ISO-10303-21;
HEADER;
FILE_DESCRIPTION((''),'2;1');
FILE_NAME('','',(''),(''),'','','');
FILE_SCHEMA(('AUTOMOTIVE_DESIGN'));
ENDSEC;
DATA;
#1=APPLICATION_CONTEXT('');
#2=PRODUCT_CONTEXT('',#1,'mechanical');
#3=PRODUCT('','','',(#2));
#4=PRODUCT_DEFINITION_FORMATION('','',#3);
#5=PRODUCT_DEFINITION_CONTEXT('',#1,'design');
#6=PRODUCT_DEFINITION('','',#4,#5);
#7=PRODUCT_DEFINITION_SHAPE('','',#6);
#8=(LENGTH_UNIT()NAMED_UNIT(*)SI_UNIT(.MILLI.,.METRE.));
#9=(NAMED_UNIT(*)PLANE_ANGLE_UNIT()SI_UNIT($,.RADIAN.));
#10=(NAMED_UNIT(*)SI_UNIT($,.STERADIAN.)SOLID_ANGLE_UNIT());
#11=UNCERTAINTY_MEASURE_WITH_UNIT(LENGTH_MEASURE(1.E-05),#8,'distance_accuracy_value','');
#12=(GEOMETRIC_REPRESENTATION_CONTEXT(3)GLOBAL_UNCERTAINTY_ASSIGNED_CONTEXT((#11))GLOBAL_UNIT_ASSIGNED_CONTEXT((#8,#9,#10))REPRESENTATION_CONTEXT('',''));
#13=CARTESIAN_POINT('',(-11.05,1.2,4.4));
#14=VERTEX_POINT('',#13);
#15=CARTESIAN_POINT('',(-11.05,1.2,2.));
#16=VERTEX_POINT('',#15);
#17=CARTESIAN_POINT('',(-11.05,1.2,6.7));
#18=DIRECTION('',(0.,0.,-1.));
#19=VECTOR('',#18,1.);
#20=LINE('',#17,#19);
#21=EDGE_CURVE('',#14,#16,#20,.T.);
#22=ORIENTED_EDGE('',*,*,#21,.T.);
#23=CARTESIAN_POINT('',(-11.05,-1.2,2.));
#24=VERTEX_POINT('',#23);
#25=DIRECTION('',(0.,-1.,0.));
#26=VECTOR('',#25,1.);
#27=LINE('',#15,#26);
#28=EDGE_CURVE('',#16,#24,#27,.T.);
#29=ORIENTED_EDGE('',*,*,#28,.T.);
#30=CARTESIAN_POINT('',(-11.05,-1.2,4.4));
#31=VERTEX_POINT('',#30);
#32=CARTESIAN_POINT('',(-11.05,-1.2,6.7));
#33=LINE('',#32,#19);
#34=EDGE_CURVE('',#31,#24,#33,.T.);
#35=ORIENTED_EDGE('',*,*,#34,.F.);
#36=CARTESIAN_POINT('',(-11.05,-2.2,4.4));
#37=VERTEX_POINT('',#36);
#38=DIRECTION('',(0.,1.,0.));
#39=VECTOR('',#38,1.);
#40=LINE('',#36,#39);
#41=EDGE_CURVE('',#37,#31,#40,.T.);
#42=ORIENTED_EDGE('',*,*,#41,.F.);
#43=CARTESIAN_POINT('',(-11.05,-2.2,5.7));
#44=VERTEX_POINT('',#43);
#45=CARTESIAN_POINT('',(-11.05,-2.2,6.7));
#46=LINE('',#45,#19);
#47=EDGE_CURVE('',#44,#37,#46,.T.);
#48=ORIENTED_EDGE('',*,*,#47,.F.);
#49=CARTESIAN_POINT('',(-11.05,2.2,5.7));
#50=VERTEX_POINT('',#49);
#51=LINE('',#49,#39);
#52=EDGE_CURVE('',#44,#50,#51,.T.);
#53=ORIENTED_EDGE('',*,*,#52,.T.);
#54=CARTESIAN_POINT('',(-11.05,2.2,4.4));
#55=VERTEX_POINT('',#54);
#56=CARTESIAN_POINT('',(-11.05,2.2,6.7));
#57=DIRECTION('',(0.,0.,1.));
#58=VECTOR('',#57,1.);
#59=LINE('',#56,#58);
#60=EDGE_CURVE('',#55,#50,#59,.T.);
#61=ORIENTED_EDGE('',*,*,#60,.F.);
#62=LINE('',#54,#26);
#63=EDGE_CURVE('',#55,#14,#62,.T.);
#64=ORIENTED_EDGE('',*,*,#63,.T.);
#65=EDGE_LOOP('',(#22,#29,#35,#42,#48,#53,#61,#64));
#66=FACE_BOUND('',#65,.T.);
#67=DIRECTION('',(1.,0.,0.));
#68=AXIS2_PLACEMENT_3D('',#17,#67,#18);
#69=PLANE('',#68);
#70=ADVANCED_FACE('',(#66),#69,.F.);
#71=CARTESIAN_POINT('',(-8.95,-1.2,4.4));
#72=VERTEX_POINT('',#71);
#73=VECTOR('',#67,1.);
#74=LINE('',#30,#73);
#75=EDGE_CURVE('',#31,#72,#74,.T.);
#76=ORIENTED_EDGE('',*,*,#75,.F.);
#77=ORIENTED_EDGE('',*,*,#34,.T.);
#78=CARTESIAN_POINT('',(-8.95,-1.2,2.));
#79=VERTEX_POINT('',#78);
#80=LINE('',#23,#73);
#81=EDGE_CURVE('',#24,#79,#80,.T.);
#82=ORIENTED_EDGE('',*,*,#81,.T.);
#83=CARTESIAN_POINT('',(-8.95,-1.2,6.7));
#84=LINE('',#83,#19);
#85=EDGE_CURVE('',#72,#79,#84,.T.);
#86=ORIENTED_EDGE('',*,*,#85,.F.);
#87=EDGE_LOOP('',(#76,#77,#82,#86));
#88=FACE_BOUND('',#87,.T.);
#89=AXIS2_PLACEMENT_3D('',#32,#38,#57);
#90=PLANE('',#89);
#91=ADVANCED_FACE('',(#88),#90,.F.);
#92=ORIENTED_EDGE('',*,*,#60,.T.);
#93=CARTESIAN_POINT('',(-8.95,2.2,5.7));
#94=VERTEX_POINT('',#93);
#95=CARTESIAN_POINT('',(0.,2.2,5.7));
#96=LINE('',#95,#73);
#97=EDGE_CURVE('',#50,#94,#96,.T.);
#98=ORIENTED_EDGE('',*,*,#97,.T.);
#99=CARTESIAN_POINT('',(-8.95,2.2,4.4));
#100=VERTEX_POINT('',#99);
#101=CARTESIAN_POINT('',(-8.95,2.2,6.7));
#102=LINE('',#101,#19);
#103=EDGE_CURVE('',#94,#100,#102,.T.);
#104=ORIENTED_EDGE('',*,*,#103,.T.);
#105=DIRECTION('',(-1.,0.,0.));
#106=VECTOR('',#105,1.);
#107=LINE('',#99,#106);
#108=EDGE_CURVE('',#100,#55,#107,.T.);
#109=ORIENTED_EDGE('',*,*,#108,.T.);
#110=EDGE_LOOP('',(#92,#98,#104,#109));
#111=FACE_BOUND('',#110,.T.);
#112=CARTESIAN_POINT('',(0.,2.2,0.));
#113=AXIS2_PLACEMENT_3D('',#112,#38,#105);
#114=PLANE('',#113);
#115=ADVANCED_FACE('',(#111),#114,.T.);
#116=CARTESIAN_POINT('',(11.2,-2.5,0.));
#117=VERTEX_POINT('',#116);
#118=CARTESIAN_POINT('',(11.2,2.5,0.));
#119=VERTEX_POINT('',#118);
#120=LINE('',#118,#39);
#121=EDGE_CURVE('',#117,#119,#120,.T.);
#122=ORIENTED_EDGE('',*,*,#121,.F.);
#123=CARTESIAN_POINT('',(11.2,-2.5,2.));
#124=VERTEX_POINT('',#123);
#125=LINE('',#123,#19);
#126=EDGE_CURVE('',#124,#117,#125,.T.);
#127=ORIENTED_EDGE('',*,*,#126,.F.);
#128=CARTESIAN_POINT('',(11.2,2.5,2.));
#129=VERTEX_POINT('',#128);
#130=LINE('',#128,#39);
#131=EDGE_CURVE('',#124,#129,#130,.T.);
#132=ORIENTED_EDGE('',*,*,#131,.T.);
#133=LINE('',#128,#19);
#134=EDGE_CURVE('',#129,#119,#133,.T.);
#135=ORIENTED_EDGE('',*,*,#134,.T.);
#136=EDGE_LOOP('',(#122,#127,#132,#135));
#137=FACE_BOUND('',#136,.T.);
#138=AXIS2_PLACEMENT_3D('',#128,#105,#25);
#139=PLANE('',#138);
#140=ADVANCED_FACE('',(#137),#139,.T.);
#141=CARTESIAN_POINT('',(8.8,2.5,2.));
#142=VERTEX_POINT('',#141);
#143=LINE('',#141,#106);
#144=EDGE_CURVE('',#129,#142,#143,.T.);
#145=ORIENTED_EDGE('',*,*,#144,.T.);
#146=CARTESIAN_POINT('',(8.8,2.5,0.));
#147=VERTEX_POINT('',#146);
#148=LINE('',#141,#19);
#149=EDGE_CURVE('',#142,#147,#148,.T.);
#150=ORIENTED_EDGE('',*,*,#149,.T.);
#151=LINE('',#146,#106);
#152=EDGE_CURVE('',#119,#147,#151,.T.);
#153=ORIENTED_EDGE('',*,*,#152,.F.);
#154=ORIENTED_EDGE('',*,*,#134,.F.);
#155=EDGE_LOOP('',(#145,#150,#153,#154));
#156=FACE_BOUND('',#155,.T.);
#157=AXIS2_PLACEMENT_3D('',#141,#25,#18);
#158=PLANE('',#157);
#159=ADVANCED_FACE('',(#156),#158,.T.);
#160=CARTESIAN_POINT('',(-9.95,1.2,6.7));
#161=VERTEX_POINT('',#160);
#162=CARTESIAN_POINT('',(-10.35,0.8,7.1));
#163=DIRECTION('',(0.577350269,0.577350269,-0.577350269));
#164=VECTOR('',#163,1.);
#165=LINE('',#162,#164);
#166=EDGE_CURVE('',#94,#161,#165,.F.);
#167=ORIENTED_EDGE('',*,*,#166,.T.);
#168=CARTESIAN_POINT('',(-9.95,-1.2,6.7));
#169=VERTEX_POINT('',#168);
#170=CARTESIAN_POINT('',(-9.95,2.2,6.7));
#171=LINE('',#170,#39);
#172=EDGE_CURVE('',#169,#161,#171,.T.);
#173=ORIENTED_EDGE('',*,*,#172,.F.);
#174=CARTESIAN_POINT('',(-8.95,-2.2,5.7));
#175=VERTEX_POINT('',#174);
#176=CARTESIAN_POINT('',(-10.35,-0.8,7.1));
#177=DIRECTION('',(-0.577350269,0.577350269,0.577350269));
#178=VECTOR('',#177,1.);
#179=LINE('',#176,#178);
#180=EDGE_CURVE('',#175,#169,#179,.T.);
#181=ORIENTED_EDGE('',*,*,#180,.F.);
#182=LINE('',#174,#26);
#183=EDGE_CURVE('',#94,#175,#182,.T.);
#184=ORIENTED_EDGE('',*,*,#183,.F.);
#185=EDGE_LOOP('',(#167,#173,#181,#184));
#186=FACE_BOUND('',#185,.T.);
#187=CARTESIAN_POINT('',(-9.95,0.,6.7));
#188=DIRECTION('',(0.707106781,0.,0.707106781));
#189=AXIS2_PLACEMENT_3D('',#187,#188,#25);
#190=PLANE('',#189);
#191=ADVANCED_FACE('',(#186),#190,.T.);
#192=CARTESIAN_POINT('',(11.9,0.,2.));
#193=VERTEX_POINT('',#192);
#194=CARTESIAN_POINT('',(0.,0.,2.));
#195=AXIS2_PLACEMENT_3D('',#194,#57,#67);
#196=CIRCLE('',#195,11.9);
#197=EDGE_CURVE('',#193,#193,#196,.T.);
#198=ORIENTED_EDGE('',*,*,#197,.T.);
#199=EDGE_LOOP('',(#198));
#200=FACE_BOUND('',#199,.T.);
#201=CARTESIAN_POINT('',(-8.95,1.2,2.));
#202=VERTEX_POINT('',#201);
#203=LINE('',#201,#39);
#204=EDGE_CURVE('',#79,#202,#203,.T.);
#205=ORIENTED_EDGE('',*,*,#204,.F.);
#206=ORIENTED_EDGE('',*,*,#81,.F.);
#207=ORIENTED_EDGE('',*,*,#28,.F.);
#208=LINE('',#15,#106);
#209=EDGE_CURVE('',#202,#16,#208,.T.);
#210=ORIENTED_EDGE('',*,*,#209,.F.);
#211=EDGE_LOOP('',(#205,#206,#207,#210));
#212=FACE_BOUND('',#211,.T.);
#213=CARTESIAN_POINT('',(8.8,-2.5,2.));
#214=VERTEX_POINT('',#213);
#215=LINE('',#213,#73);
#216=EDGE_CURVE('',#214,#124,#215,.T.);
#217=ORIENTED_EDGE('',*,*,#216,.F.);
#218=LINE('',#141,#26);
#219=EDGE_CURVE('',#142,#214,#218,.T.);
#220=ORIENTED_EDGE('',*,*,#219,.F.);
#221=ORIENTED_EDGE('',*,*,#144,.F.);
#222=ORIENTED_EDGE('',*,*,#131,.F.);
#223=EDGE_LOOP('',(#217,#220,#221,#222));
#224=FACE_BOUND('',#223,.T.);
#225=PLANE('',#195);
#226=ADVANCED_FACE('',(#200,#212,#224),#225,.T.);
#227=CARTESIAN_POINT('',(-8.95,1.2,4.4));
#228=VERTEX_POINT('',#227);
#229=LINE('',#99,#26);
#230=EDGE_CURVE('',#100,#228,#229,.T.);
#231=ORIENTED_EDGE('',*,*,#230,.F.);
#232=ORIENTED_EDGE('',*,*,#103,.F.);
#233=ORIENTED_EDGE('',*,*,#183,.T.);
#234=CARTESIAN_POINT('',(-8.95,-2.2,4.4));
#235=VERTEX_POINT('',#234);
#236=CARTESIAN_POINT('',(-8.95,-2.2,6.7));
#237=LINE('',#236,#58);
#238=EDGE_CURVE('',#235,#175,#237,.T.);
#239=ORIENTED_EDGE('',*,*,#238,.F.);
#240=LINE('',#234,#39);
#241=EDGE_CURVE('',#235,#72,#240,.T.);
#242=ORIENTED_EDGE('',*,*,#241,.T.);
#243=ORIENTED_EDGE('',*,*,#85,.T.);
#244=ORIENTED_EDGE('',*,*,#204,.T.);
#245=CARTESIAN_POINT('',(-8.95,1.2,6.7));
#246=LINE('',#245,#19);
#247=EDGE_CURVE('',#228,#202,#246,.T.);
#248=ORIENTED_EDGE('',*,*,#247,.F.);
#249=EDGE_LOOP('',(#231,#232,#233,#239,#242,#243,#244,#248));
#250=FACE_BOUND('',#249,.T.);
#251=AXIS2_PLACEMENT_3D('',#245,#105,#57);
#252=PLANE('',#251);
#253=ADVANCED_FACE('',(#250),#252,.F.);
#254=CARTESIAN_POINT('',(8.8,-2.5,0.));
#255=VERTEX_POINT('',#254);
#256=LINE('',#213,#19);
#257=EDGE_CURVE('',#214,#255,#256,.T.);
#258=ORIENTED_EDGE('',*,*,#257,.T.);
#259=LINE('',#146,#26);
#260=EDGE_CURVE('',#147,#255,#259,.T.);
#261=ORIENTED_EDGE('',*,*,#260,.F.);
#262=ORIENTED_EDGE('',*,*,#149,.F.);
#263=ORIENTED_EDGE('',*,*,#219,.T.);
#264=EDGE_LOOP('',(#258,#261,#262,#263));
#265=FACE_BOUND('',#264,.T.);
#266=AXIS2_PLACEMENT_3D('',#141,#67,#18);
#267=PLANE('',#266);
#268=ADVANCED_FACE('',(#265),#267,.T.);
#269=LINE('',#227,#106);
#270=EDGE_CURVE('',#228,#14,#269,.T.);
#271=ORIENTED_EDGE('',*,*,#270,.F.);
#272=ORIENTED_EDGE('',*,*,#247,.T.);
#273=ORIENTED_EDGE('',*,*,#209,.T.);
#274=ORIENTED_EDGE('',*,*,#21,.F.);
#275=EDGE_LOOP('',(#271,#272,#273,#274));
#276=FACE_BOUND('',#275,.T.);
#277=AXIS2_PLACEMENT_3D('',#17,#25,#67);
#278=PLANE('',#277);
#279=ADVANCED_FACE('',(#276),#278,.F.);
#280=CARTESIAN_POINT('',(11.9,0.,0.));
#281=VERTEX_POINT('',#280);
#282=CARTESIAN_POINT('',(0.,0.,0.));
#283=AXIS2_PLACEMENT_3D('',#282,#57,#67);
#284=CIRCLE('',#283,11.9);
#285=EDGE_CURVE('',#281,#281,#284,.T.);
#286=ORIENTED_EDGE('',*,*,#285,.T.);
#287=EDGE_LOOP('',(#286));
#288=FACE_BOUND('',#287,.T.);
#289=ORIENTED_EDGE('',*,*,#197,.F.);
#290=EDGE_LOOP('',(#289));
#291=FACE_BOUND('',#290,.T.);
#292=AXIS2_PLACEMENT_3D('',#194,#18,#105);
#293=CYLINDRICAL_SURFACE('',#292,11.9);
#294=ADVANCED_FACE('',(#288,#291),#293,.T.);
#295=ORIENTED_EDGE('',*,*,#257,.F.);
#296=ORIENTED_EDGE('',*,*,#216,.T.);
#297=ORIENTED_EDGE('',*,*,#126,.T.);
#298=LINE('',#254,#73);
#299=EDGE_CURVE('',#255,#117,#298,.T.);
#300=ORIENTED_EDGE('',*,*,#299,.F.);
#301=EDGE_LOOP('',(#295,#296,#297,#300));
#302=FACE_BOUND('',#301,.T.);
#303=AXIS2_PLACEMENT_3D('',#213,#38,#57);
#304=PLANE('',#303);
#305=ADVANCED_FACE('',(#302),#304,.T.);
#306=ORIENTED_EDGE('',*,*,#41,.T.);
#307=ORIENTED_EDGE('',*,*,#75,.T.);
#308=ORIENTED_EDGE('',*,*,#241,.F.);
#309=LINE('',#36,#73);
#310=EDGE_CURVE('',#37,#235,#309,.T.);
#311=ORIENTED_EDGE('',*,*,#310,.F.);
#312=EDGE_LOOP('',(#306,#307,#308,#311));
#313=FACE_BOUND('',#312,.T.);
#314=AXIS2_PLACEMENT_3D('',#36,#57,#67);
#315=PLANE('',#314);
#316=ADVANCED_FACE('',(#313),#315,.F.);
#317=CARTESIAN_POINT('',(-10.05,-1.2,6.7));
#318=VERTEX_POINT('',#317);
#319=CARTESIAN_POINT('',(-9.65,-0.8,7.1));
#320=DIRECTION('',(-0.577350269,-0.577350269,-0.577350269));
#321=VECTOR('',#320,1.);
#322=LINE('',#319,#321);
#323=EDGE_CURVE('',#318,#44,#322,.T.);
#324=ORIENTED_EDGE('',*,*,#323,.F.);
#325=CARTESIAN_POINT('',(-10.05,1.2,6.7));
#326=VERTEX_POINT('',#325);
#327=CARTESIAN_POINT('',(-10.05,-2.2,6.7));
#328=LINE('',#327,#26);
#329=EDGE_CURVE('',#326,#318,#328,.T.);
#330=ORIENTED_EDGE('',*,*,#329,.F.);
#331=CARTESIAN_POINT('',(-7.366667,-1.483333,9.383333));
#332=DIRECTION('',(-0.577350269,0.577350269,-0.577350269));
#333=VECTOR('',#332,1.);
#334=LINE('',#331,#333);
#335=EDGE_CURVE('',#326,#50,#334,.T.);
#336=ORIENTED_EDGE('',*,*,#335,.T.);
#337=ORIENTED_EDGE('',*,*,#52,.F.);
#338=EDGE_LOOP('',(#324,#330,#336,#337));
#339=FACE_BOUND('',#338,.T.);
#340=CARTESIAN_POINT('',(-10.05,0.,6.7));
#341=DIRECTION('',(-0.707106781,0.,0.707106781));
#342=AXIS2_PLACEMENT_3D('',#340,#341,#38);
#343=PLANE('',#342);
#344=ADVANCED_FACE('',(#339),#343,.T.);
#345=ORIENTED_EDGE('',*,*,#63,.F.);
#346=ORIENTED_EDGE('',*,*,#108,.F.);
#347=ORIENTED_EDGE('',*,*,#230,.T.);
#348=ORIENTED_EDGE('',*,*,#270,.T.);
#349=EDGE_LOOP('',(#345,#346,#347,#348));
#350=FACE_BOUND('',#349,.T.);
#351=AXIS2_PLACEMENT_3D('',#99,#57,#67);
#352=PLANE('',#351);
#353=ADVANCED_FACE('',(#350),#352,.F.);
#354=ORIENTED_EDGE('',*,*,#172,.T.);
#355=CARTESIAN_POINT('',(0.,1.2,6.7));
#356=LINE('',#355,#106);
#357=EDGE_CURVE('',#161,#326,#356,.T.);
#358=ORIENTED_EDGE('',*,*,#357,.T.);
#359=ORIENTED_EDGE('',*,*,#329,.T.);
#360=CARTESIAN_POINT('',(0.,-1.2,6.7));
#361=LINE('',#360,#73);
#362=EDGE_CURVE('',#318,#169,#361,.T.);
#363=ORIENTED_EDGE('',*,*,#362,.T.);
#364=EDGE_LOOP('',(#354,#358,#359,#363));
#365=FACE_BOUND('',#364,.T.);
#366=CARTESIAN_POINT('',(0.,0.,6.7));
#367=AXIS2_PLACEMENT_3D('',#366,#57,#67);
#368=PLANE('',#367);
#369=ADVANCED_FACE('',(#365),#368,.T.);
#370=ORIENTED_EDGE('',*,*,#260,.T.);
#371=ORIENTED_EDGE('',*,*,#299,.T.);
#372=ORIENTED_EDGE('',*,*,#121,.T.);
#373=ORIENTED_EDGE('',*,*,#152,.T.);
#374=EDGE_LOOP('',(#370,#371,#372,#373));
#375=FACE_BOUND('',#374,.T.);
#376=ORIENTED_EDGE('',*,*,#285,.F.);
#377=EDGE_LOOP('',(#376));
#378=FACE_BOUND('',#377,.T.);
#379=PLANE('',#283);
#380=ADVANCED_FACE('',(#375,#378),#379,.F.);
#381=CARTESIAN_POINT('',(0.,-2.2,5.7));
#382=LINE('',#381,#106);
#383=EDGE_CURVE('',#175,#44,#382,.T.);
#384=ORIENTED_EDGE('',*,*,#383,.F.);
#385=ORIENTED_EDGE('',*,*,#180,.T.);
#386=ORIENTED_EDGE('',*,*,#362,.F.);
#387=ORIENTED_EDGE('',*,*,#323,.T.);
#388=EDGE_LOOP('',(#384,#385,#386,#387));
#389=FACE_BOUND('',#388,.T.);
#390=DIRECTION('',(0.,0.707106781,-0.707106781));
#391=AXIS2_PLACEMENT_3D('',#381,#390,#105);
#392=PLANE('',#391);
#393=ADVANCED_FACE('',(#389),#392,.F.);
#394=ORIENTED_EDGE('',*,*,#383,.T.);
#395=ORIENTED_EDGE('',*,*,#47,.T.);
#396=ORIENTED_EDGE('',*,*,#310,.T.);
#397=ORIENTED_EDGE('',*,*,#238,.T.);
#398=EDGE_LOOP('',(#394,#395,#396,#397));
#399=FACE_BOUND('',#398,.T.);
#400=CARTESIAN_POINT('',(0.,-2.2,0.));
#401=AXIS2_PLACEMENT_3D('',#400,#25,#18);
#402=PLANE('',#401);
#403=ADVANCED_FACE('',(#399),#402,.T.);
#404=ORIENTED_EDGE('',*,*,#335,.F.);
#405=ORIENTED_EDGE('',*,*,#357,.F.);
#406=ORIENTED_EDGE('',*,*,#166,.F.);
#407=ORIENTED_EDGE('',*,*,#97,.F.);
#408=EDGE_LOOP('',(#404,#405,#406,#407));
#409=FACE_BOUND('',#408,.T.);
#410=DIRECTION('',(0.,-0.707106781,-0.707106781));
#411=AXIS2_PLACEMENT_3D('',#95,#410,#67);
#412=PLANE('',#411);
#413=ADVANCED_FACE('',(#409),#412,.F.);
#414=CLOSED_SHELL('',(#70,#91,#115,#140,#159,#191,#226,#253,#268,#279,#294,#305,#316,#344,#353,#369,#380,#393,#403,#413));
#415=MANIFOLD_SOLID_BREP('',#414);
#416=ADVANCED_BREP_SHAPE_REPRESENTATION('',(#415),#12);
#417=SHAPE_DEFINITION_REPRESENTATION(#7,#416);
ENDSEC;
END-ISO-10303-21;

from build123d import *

# Parameters (mm, degrees)
SKETCH1_R           = 11.9
SKETCH1_W           = 2.4
SKETCH1_H           = 5
BOSS_EXTRUDE2_DEPTH = 2
SKETCH2_W           = 2.1
SKETCH2_H           = 2.4
BOSS_EXTRUDE3_DEPTH = 4.7
SKETCH4_W           = 2.1
SKETCH4_H           = 2.3
BOSS_EXTRUDE5_DEPTH = 1
SKETCH5_W           = 2.1
SKETCH5_H           = 2.3
BOSS_EXTRUDE6_DEPTH = 1
CHAMFER1_SIZE       = 1


with BuildPart() as part:
    # Sketch1 → Boss-Extrude2 (new body)
    with BuildSketch(Plane.XY):
        Circle(SKETCH1_R)
        with Locations((10, 0)):
            Rectangle(SKETCH1_W, SKETCH1_H, mode=Mode.SUBTRACT)
    extrude(amount=BOSS_EXTRUDE2_DEPTH)

    # Sketch2 → Boss-Extrude3 (add)
    with BuildSketch(Plane.XY.offset(2)):
        with Locations((-10, 0)):
            Rectangle(SKETCH2_W, SKETCH2_H)
    extrude(amount=BOSS_EXTRUDE3_DEPTH)

    # Sketch4 → Boss-Extrude5 (add)
    with BuildSketch(Plane(origin=(0, 1.2, 0), x_dir=(1, 0, 0), z_dir=(0, 1, 0))):
        with Locations((-10, -5.55)):
            Rectangle(SKETCH4_W, SKETCH4_H)
    extrude(amount=BOSS_EXTRUDE5_DEPTH)

    # Sketch5 → Boss-Extrude6 (add)
    with BuildSketch(Plane.XZ.offset(1.2)):
        with Locations((-10, 5.55)):
            Rectangle(SKETCH5_W, SKETCH5_H)
    extrude(amount=BOSS_EXTRUDE6_DEPTH)

    # Chamfer1
    chamfer1_edges = [part.edges().sort_by_distance(p)[0] for p in [
        (-8.95, 0, 6.7),
        (-11.05, 0, 6.7),
        (-10, 2.2, 6.7),
        (-10, -2.2, 6.7),
    ]]
    chamfer(chamfer1_edges, length=CHAMFER1_SIZE)


solid = part.part
